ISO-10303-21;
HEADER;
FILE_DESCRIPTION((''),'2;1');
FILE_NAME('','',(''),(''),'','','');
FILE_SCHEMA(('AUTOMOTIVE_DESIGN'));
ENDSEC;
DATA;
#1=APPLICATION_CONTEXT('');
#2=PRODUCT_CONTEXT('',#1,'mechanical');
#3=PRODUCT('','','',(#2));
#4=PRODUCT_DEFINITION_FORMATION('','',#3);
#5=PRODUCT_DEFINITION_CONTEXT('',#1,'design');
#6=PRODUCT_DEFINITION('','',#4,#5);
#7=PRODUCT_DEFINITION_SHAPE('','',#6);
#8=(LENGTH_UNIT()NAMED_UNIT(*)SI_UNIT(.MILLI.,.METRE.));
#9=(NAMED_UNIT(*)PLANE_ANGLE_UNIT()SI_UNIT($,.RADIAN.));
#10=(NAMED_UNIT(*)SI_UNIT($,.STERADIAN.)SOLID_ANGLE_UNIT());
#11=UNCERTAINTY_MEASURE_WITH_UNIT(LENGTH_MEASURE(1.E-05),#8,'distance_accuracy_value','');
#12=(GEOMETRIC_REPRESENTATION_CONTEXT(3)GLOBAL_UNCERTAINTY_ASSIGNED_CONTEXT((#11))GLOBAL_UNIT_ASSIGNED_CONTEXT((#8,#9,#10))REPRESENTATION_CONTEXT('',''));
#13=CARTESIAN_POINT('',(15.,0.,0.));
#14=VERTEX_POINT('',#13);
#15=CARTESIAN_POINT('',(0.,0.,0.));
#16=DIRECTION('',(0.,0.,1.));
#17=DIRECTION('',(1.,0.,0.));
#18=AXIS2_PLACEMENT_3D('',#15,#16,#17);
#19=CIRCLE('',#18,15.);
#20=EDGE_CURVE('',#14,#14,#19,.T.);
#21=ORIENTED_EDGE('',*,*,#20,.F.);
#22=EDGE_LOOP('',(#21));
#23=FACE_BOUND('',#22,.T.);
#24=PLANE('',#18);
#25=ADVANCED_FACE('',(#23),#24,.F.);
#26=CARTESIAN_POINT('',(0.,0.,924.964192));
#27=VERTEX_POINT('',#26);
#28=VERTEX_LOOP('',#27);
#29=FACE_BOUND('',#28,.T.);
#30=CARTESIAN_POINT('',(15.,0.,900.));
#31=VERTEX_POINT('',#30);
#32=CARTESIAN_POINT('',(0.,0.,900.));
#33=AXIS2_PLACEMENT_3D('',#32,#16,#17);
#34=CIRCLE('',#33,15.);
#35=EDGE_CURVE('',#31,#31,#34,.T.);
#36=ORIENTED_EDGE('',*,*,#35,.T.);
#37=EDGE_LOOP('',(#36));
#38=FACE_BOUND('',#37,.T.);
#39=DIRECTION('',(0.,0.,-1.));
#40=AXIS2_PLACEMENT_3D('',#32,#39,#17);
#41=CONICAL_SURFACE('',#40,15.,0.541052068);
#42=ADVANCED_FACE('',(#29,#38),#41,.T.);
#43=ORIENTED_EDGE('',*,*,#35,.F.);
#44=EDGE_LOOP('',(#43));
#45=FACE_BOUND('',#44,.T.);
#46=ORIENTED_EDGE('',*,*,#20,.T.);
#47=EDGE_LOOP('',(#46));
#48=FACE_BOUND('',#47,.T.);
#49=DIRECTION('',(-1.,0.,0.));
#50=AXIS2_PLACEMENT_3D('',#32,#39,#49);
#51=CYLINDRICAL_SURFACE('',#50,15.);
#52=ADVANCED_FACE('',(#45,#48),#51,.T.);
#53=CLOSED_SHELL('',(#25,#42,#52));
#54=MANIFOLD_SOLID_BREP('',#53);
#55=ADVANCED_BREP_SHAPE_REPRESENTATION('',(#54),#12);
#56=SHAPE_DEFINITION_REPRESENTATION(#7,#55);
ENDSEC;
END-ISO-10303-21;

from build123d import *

# Parameters (mm, degrees)
ESQUISSE1_R        = 15
BOSS_EXTRU_1_DEPTH = 900
ESQUISSE2_R        = 15
BOSS_EXTRU_2_DEPTH = 30
BOSS_EXTRU_2_TAPER = 31


with BuildPart() as part:
    # Esquisse1 → Boss.-Extru.1 (new body)
    with BuildSketch(Plane.XY):
        Circle(ESQUISSE1_R)
    extrude(amount=BOSS_EXTRU_1_DEPTH)

    # Esquisse2 → Boss.-Extru.2 (add)
    with BuildSketch(Plane.XY.offset(900)):
        Circle(ESQUISSE2_R)
    extrude(amount=BOSS_EXTRU_2_DEPTH, taper=BOSS_EXTRU_2_TAPER)


solid = part.part
